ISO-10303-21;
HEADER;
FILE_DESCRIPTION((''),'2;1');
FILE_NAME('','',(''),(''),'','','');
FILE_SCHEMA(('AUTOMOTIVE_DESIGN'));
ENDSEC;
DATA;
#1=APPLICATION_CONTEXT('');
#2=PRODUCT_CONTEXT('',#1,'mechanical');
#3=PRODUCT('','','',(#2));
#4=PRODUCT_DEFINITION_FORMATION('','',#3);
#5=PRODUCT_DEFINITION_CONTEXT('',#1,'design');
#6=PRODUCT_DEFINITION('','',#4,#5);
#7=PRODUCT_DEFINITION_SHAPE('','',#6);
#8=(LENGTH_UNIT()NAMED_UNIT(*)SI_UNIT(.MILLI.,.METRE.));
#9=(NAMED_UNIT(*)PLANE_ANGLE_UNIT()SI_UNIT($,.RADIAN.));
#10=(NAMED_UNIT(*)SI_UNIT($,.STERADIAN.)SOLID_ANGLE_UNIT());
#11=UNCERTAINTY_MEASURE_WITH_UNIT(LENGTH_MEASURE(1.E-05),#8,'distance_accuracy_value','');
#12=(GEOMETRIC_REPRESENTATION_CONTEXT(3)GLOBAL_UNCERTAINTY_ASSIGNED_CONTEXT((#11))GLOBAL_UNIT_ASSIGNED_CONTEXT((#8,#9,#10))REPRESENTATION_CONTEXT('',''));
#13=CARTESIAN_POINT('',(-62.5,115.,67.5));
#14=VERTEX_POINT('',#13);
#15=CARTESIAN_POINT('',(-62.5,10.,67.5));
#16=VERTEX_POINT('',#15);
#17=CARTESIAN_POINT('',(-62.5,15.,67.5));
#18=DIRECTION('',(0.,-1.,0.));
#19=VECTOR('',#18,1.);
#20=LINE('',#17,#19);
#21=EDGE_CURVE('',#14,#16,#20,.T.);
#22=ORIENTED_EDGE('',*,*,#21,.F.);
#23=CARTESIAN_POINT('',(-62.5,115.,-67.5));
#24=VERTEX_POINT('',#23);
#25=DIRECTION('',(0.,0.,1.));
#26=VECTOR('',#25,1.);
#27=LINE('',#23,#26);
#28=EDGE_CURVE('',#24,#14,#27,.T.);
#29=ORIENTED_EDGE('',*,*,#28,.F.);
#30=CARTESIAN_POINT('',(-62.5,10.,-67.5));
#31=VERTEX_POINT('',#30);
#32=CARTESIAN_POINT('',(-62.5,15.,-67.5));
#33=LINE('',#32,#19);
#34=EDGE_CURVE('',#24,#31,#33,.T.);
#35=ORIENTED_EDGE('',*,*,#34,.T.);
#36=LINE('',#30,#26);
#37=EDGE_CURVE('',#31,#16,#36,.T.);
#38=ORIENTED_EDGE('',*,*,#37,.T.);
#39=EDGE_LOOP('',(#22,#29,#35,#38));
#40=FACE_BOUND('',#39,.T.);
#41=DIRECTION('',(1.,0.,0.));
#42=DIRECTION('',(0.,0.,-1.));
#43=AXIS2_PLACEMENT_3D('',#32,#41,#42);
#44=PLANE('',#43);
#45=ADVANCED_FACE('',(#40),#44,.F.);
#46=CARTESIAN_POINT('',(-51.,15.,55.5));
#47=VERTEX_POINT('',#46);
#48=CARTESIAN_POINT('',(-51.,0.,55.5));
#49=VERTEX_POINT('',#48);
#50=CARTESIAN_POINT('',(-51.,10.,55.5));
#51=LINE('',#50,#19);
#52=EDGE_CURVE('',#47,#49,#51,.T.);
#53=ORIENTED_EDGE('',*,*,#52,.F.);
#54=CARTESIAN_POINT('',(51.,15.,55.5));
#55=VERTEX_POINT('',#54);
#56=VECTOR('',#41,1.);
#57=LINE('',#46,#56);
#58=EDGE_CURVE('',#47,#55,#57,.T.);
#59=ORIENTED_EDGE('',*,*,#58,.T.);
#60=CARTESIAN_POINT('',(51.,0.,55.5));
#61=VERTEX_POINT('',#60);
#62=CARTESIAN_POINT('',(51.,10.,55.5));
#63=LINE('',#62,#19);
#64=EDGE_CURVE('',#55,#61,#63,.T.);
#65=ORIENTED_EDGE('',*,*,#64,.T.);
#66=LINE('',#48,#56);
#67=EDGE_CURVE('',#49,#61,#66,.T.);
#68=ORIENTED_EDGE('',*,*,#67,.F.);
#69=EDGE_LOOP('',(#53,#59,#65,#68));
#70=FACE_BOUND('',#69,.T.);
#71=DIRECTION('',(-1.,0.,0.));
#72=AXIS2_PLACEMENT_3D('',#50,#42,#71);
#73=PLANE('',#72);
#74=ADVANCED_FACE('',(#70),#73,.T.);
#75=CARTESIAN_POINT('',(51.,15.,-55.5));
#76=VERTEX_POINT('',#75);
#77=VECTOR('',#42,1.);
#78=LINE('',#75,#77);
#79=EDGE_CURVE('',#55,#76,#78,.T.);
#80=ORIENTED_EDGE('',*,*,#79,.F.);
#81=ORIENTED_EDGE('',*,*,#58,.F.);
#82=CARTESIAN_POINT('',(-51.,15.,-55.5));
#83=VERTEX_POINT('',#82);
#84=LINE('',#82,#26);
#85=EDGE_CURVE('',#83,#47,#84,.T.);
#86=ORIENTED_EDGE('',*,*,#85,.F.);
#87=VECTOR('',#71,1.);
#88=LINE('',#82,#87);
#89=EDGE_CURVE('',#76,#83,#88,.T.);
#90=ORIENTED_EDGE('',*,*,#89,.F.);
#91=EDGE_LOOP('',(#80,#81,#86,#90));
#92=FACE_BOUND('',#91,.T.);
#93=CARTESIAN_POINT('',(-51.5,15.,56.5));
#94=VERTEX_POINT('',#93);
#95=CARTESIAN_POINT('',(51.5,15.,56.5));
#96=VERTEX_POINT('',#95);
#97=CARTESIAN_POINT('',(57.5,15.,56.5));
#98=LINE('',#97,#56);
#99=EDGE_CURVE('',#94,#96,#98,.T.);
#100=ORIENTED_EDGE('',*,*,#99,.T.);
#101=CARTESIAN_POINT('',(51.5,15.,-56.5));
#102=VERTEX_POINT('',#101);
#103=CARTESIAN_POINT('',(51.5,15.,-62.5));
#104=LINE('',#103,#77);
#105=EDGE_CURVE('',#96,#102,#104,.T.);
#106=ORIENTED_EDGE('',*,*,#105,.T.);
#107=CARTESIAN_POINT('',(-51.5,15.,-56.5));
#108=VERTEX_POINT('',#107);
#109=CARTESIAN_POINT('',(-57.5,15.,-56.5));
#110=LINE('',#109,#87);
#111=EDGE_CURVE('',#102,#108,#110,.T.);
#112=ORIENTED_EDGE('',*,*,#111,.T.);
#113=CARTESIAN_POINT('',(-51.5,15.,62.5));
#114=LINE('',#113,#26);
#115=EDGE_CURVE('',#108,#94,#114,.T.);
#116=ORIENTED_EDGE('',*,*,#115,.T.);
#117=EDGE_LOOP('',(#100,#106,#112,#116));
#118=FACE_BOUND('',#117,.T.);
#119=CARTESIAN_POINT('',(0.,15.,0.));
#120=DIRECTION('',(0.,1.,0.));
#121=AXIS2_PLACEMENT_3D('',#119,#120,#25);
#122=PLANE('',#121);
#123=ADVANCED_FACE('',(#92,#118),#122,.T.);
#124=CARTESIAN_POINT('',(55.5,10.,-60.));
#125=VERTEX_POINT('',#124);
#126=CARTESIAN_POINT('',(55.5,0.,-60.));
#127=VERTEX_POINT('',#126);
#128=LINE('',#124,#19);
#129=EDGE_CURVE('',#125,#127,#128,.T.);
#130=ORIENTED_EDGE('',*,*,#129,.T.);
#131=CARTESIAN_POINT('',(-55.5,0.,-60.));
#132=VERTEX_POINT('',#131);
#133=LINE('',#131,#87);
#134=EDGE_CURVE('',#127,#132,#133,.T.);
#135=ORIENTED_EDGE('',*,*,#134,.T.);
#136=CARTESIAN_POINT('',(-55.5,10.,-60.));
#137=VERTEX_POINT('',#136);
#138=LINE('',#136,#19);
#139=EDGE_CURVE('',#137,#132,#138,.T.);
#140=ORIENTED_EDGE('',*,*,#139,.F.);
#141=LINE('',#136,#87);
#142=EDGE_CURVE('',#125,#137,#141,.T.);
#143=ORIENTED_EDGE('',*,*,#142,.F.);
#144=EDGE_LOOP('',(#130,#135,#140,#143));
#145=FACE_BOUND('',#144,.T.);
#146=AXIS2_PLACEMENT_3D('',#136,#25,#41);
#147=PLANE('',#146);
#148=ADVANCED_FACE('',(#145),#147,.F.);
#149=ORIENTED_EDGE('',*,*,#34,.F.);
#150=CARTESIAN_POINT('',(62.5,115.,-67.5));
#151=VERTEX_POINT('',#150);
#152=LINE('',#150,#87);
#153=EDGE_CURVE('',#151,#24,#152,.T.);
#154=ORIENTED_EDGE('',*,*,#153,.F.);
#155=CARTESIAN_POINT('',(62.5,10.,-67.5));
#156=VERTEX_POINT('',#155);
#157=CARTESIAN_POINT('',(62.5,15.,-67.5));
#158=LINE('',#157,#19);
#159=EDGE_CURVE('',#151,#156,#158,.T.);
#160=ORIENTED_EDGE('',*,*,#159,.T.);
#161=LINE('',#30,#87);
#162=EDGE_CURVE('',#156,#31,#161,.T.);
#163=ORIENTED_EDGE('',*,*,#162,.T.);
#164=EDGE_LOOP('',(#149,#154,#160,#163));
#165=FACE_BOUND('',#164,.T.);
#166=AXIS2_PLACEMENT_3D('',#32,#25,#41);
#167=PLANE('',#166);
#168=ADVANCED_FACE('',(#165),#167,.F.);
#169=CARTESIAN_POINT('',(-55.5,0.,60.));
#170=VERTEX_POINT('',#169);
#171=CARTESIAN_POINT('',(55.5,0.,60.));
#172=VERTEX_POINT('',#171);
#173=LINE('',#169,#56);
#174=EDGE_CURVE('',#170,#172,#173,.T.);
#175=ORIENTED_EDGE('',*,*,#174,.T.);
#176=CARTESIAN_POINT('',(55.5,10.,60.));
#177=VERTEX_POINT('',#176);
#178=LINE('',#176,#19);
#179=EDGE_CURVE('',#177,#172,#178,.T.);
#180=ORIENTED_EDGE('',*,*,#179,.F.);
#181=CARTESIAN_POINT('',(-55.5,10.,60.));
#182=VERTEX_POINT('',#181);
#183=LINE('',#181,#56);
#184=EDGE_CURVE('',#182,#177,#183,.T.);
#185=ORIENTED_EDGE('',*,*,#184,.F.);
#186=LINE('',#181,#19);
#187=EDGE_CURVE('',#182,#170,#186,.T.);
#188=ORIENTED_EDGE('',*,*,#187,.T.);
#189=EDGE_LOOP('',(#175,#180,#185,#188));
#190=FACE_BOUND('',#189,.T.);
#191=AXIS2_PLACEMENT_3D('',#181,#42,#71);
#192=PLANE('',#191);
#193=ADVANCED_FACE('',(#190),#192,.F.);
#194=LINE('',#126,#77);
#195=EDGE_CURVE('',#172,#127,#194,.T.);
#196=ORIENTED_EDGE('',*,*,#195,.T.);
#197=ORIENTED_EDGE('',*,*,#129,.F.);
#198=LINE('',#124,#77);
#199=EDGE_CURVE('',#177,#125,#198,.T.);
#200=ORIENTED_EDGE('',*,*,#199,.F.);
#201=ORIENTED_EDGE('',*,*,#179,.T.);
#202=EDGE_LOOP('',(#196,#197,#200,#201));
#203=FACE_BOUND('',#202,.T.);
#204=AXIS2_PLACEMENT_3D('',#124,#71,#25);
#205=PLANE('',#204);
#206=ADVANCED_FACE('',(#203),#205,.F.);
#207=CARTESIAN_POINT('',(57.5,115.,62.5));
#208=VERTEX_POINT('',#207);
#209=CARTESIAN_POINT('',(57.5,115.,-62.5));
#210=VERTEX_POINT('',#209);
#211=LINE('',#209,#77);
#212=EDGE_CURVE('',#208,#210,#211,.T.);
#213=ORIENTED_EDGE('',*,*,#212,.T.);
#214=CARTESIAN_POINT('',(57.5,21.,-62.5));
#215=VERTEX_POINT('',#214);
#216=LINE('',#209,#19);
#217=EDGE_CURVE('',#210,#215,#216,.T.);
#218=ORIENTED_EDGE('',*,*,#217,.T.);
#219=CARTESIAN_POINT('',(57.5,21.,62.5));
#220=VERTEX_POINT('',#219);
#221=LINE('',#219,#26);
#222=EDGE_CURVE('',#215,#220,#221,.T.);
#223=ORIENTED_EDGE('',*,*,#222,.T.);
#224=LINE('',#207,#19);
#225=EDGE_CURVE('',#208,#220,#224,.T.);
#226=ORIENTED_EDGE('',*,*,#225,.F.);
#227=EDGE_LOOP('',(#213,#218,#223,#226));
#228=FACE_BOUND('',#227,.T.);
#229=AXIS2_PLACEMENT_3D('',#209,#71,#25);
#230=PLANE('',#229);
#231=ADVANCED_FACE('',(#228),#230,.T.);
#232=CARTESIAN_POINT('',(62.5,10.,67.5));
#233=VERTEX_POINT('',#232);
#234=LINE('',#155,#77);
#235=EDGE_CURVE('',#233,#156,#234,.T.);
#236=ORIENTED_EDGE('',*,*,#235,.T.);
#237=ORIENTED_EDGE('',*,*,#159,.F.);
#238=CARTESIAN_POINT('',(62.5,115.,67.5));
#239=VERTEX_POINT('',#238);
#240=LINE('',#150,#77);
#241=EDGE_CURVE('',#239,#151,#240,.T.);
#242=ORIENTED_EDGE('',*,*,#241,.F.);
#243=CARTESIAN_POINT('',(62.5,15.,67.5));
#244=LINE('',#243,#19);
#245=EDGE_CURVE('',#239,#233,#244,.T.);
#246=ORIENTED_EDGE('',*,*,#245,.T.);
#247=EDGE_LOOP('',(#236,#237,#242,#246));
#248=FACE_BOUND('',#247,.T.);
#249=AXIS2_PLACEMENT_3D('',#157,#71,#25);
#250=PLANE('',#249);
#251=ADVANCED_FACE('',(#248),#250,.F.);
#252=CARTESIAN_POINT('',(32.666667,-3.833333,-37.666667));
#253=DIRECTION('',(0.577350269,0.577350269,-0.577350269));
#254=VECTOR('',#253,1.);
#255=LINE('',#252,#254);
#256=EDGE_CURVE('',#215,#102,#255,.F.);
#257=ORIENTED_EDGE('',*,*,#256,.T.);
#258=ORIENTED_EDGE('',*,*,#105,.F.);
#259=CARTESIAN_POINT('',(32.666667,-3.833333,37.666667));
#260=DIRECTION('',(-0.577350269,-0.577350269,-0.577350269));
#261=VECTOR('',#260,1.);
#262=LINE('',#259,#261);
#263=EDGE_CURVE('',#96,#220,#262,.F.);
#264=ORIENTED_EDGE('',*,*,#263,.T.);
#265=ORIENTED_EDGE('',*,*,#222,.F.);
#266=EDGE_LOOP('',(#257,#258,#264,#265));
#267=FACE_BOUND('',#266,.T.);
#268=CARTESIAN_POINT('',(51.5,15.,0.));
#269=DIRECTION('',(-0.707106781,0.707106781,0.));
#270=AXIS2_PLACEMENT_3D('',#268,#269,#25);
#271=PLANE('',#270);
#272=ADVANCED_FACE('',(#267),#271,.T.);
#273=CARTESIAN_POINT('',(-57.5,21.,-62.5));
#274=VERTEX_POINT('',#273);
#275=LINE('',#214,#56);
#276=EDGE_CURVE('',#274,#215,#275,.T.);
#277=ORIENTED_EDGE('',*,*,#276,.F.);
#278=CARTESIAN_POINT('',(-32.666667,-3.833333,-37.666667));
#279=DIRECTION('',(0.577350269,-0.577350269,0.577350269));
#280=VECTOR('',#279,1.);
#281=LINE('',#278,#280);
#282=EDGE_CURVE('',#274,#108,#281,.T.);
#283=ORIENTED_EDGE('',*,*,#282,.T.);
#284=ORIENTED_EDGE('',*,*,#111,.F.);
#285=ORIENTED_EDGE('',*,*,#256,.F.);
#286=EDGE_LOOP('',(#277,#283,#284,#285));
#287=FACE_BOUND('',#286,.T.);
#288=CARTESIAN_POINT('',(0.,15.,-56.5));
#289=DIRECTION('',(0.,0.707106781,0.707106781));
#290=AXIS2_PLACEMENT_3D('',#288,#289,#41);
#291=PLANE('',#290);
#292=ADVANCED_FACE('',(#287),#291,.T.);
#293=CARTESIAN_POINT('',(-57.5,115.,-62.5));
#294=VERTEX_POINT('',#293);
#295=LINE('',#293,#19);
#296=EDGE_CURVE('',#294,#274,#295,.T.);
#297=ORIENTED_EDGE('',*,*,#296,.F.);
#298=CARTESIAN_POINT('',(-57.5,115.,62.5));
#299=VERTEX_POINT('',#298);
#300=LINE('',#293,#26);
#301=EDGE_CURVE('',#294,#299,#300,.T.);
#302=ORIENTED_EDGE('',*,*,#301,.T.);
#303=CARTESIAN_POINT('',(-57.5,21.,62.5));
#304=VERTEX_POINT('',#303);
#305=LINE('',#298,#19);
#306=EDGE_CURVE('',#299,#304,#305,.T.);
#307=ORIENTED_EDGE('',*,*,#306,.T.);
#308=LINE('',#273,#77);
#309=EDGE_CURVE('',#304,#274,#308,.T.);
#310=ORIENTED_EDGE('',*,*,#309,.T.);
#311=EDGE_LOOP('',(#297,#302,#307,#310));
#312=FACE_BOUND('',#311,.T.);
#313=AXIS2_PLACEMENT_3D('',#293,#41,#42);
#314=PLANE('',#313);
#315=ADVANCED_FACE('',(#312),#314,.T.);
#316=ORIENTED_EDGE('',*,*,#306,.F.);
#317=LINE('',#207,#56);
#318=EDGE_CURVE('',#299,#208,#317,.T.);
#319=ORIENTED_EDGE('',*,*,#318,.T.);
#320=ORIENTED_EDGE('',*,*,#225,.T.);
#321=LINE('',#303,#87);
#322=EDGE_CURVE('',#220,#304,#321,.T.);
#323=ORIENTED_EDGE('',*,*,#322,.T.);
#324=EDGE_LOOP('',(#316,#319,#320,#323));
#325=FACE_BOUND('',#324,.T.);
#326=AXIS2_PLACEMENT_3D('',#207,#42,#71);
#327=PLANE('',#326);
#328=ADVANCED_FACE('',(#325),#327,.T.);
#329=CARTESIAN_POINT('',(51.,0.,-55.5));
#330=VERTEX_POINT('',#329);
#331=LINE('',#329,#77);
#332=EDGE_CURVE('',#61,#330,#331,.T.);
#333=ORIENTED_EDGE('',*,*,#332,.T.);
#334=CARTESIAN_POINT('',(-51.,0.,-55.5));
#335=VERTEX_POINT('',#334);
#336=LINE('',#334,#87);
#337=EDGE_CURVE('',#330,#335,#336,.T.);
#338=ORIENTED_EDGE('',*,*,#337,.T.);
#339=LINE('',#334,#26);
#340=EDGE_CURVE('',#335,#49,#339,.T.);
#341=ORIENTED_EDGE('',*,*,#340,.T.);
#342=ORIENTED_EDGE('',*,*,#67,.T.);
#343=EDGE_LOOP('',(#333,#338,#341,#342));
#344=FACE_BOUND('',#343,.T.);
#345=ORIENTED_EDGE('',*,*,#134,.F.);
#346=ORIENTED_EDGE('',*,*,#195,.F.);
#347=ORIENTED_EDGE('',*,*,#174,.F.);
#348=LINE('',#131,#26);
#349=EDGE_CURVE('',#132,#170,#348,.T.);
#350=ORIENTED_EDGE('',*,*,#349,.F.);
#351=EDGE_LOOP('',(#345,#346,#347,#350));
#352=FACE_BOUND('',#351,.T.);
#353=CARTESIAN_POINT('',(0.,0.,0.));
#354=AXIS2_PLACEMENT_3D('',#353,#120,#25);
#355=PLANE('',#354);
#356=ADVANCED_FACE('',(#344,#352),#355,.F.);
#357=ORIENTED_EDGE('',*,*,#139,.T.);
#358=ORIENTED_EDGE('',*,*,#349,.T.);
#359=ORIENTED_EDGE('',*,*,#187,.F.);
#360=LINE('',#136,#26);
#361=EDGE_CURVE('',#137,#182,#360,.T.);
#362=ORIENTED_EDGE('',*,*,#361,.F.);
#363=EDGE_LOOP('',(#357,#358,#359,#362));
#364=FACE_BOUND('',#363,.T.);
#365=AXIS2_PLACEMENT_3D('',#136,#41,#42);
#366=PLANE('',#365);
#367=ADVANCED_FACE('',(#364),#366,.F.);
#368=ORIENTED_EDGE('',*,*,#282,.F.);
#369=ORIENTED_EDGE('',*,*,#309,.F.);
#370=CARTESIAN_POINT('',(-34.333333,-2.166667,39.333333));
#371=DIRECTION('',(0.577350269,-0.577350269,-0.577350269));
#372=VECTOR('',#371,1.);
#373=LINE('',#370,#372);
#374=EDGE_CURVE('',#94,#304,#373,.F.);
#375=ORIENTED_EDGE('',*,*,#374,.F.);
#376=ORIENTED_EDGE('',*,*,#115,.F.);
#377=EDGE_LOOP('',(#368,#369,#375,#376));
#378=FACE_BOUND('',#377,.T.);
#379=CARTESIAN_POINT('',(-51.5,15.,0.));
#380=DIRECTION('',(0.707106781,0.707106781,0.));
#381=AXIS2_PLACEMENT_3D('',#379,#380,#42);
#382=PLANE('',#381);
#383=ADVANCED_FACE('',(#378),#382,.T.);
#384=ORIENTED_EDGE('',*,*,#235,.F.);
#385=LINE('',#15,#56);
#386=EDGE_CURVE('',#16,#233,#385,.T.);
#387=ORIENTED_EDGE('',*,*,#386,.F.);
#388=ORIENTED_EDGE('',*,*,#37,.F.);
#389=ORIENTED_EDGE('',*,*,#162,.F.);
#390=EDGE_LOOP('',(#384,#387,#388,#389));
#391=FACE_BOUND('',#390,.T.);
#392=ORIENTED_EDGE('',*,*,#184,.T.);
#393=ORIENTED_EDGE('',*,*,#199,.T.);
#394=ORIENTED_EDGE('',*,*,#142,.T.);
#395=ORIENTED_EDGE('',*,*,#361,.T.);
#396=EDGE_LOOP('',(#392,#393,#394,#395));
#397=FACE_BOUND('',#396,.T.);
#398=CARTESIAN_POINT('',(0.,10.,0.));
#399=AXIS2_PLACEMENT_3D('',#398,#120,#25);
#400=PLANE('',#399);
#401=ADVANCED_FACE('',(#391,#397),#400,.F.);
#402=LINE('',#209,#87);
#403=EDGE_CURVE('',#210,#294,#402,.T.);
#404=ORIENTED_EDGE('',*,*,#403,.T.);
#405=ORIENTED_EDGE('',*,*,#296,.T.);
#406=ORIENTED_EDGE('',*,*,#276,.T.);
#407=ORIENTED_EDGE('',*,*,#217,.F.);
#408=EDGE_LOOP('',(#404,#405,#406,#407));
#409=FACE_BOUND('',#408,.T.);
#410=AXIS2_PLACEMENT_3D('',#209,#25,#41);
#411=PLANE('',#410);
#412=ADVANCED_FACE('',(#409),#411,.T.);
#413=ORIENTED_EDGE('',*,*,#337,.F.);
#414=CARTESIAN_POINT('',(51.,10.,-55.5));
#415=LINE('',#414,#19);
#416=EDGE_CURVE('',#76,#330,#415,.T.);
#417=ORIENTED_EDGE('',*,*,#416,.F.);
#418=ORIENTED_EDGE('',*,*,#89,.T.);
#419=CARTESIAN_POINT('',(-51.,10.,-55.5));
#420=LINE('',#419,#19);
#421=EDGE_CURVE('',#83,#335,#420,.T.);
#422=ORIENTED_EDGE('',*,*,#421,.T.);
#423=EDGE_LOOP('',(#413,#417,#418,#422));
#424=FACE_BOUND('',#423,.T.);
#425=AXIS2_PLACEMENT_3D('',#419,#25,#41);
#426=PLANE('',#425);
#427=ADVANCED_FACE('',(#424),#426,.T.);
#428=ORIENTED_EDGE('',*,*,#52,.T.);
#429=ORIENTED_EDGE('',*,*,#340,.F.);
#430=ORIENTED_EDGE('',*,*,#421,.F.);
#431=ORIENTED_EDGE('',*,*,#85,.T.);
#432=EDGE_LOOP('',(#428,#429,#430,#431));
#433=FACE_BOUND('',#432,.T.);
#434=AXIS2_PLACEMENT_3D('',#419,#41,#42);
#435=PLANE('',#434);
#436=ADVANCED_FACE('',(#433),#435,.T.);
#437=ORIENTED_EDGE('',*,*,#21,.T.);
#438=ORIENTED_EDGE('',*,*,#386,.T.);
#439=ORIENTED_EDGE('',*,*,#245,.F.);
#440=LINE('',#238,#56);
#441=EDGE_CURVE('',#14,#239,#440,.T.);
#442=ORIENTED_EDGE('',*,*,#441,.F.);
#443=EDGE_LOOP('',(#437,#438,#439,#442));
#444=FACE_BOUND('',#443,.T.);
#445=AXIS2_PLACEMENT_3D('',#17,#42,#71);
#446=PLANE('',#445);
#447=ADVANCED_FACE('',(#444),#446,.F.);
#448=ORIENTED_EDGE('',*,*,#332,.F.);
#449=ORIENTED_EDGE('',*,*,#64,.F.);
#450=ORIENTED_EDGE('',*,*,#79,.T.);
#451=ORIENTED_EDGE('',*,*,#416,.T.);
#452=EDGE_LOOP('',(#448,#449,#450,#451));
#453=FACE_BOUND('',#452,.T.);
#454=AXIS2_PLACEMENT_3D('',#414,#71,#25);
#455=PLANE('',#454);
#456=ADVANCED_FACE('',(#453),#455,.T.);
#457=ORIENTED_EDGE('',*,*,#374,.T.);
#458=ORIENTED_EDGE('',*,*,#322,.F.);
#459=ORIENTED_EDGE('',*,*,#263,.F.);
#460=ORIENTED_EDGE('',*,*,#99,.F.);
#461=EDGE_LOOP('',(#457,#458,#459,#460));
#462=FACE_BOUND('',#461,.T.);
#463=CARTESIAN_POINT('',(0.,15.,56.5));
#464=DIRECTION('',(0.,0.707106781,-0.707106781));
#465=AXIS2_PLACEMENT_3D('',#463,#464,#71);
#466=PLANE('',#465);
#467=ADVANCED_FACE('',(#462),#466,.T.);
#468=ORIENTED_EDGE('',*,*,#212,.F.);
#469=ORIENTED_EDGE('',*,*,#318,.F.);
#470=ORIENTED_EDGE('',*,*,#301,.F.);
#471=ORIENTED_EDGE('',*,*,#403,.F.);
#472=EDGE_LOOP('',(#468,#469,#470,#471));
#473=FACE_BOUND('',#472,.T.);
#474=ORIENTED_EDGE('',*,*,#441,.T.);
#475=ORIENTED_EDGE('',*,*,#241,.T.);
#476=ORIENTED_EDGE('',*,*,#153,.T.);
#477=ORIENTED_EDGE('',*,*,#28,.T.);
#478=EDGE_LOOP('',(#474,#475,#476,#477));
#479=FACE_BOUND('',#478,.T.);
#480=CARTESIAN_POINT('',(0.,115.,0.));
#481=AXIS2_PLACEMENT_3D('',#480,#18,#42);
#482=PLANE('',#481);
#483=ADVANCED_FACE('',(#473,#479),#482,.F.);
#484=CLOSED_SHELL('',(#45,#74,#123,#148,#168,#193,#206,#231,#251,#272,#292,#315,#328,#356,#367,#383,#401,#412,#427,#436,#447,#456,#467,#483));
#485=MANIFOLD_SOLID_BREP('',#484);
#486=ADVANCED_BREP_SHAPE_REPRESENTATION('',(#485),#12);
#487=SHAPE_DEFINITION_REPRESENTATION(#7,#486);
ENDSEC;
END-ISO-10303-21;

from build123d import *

# Parameters (mm, degrees)
SKETCH1_W           = 111
SKETCH1_H           = 120
SKETCH1_W_2         = 102
SKETCH1_H_2         = 111
BOSS_EXTRUDE1_DEPTH = 10
SKETCH2_W           = 125
SKETCH2_H           = 135
SKETCH2_W_2         = 102
SKETCH2_H_2         = 111
BOSS_EXTRUDE2_DEPTH = 5
SKETCH4_W           = 125
SKETCH4_H           = 135
SKETCH4_W_2         = 115
SKETCH4_H_2         = 125
BOSS_EXTRUDE4_DEPTH = 100
CHAMFER1_SIZE       = 6


with BuildPart() as part:
    # Sketch1 → Boss-Extrude1 (new body)
    with BuildSketch(Plane(origin=(0, 0, 0), x_dir=(1, 0, 0), z_dir=(0, 1, 0))):
        Rectangle(SKETCH1_W, SKETCH1_H)
        Rectangle(SKETCH1_W_2, SKETCH1_H_2, mode=Mode.SUBTRACT)
    extrude(amount=BOSS_EXTRUDE1_DEPTH)

    # Sketch2 → Boss-Extrude2 (add)
    with BuildSketch(Plane(origin=(0, 10, 0), x_dir=(1, 0, 0), z_dir=(0, 1, 0))):
        Rectangle(SKETCH2_W, SKETCH2_H)
        Rectangle(SKETCH2_W_2, SKETCH2_H_2, mode=Mode.SUBTRACT)
    extrude(amount=BOSS_EXTRUDE2_DEPTH)

    # Sketch4 → Boss-Extrude4 (add)
    with BuildSketch(Plane(origin=(0, 15, 0), x_dir=(1, 0, 0), z_dir=(0, 1, 0))):
        Rectangle(SKETCH4_W, SKETCH4_H)
        Rectangle(SKETCH4_W_2, SKETCH4_H_2, mode=Mode.SUBTRACT)
    extrude(amount=BOSS_EXTRUDE4_DEPTH)

    # Chamfer1
    chamfer1_edges = [part.edges().sort_by_distance(p)[0] for p in [
        (0, 15, -62.5),
        (-57.5, 15, 0),
        (0, 15, 62.5),
        (57.5, 15, 0),
    ]]
    chamfer(chamfer1_edges, length=CHAMFER1_SIZE)


solid = part.part
